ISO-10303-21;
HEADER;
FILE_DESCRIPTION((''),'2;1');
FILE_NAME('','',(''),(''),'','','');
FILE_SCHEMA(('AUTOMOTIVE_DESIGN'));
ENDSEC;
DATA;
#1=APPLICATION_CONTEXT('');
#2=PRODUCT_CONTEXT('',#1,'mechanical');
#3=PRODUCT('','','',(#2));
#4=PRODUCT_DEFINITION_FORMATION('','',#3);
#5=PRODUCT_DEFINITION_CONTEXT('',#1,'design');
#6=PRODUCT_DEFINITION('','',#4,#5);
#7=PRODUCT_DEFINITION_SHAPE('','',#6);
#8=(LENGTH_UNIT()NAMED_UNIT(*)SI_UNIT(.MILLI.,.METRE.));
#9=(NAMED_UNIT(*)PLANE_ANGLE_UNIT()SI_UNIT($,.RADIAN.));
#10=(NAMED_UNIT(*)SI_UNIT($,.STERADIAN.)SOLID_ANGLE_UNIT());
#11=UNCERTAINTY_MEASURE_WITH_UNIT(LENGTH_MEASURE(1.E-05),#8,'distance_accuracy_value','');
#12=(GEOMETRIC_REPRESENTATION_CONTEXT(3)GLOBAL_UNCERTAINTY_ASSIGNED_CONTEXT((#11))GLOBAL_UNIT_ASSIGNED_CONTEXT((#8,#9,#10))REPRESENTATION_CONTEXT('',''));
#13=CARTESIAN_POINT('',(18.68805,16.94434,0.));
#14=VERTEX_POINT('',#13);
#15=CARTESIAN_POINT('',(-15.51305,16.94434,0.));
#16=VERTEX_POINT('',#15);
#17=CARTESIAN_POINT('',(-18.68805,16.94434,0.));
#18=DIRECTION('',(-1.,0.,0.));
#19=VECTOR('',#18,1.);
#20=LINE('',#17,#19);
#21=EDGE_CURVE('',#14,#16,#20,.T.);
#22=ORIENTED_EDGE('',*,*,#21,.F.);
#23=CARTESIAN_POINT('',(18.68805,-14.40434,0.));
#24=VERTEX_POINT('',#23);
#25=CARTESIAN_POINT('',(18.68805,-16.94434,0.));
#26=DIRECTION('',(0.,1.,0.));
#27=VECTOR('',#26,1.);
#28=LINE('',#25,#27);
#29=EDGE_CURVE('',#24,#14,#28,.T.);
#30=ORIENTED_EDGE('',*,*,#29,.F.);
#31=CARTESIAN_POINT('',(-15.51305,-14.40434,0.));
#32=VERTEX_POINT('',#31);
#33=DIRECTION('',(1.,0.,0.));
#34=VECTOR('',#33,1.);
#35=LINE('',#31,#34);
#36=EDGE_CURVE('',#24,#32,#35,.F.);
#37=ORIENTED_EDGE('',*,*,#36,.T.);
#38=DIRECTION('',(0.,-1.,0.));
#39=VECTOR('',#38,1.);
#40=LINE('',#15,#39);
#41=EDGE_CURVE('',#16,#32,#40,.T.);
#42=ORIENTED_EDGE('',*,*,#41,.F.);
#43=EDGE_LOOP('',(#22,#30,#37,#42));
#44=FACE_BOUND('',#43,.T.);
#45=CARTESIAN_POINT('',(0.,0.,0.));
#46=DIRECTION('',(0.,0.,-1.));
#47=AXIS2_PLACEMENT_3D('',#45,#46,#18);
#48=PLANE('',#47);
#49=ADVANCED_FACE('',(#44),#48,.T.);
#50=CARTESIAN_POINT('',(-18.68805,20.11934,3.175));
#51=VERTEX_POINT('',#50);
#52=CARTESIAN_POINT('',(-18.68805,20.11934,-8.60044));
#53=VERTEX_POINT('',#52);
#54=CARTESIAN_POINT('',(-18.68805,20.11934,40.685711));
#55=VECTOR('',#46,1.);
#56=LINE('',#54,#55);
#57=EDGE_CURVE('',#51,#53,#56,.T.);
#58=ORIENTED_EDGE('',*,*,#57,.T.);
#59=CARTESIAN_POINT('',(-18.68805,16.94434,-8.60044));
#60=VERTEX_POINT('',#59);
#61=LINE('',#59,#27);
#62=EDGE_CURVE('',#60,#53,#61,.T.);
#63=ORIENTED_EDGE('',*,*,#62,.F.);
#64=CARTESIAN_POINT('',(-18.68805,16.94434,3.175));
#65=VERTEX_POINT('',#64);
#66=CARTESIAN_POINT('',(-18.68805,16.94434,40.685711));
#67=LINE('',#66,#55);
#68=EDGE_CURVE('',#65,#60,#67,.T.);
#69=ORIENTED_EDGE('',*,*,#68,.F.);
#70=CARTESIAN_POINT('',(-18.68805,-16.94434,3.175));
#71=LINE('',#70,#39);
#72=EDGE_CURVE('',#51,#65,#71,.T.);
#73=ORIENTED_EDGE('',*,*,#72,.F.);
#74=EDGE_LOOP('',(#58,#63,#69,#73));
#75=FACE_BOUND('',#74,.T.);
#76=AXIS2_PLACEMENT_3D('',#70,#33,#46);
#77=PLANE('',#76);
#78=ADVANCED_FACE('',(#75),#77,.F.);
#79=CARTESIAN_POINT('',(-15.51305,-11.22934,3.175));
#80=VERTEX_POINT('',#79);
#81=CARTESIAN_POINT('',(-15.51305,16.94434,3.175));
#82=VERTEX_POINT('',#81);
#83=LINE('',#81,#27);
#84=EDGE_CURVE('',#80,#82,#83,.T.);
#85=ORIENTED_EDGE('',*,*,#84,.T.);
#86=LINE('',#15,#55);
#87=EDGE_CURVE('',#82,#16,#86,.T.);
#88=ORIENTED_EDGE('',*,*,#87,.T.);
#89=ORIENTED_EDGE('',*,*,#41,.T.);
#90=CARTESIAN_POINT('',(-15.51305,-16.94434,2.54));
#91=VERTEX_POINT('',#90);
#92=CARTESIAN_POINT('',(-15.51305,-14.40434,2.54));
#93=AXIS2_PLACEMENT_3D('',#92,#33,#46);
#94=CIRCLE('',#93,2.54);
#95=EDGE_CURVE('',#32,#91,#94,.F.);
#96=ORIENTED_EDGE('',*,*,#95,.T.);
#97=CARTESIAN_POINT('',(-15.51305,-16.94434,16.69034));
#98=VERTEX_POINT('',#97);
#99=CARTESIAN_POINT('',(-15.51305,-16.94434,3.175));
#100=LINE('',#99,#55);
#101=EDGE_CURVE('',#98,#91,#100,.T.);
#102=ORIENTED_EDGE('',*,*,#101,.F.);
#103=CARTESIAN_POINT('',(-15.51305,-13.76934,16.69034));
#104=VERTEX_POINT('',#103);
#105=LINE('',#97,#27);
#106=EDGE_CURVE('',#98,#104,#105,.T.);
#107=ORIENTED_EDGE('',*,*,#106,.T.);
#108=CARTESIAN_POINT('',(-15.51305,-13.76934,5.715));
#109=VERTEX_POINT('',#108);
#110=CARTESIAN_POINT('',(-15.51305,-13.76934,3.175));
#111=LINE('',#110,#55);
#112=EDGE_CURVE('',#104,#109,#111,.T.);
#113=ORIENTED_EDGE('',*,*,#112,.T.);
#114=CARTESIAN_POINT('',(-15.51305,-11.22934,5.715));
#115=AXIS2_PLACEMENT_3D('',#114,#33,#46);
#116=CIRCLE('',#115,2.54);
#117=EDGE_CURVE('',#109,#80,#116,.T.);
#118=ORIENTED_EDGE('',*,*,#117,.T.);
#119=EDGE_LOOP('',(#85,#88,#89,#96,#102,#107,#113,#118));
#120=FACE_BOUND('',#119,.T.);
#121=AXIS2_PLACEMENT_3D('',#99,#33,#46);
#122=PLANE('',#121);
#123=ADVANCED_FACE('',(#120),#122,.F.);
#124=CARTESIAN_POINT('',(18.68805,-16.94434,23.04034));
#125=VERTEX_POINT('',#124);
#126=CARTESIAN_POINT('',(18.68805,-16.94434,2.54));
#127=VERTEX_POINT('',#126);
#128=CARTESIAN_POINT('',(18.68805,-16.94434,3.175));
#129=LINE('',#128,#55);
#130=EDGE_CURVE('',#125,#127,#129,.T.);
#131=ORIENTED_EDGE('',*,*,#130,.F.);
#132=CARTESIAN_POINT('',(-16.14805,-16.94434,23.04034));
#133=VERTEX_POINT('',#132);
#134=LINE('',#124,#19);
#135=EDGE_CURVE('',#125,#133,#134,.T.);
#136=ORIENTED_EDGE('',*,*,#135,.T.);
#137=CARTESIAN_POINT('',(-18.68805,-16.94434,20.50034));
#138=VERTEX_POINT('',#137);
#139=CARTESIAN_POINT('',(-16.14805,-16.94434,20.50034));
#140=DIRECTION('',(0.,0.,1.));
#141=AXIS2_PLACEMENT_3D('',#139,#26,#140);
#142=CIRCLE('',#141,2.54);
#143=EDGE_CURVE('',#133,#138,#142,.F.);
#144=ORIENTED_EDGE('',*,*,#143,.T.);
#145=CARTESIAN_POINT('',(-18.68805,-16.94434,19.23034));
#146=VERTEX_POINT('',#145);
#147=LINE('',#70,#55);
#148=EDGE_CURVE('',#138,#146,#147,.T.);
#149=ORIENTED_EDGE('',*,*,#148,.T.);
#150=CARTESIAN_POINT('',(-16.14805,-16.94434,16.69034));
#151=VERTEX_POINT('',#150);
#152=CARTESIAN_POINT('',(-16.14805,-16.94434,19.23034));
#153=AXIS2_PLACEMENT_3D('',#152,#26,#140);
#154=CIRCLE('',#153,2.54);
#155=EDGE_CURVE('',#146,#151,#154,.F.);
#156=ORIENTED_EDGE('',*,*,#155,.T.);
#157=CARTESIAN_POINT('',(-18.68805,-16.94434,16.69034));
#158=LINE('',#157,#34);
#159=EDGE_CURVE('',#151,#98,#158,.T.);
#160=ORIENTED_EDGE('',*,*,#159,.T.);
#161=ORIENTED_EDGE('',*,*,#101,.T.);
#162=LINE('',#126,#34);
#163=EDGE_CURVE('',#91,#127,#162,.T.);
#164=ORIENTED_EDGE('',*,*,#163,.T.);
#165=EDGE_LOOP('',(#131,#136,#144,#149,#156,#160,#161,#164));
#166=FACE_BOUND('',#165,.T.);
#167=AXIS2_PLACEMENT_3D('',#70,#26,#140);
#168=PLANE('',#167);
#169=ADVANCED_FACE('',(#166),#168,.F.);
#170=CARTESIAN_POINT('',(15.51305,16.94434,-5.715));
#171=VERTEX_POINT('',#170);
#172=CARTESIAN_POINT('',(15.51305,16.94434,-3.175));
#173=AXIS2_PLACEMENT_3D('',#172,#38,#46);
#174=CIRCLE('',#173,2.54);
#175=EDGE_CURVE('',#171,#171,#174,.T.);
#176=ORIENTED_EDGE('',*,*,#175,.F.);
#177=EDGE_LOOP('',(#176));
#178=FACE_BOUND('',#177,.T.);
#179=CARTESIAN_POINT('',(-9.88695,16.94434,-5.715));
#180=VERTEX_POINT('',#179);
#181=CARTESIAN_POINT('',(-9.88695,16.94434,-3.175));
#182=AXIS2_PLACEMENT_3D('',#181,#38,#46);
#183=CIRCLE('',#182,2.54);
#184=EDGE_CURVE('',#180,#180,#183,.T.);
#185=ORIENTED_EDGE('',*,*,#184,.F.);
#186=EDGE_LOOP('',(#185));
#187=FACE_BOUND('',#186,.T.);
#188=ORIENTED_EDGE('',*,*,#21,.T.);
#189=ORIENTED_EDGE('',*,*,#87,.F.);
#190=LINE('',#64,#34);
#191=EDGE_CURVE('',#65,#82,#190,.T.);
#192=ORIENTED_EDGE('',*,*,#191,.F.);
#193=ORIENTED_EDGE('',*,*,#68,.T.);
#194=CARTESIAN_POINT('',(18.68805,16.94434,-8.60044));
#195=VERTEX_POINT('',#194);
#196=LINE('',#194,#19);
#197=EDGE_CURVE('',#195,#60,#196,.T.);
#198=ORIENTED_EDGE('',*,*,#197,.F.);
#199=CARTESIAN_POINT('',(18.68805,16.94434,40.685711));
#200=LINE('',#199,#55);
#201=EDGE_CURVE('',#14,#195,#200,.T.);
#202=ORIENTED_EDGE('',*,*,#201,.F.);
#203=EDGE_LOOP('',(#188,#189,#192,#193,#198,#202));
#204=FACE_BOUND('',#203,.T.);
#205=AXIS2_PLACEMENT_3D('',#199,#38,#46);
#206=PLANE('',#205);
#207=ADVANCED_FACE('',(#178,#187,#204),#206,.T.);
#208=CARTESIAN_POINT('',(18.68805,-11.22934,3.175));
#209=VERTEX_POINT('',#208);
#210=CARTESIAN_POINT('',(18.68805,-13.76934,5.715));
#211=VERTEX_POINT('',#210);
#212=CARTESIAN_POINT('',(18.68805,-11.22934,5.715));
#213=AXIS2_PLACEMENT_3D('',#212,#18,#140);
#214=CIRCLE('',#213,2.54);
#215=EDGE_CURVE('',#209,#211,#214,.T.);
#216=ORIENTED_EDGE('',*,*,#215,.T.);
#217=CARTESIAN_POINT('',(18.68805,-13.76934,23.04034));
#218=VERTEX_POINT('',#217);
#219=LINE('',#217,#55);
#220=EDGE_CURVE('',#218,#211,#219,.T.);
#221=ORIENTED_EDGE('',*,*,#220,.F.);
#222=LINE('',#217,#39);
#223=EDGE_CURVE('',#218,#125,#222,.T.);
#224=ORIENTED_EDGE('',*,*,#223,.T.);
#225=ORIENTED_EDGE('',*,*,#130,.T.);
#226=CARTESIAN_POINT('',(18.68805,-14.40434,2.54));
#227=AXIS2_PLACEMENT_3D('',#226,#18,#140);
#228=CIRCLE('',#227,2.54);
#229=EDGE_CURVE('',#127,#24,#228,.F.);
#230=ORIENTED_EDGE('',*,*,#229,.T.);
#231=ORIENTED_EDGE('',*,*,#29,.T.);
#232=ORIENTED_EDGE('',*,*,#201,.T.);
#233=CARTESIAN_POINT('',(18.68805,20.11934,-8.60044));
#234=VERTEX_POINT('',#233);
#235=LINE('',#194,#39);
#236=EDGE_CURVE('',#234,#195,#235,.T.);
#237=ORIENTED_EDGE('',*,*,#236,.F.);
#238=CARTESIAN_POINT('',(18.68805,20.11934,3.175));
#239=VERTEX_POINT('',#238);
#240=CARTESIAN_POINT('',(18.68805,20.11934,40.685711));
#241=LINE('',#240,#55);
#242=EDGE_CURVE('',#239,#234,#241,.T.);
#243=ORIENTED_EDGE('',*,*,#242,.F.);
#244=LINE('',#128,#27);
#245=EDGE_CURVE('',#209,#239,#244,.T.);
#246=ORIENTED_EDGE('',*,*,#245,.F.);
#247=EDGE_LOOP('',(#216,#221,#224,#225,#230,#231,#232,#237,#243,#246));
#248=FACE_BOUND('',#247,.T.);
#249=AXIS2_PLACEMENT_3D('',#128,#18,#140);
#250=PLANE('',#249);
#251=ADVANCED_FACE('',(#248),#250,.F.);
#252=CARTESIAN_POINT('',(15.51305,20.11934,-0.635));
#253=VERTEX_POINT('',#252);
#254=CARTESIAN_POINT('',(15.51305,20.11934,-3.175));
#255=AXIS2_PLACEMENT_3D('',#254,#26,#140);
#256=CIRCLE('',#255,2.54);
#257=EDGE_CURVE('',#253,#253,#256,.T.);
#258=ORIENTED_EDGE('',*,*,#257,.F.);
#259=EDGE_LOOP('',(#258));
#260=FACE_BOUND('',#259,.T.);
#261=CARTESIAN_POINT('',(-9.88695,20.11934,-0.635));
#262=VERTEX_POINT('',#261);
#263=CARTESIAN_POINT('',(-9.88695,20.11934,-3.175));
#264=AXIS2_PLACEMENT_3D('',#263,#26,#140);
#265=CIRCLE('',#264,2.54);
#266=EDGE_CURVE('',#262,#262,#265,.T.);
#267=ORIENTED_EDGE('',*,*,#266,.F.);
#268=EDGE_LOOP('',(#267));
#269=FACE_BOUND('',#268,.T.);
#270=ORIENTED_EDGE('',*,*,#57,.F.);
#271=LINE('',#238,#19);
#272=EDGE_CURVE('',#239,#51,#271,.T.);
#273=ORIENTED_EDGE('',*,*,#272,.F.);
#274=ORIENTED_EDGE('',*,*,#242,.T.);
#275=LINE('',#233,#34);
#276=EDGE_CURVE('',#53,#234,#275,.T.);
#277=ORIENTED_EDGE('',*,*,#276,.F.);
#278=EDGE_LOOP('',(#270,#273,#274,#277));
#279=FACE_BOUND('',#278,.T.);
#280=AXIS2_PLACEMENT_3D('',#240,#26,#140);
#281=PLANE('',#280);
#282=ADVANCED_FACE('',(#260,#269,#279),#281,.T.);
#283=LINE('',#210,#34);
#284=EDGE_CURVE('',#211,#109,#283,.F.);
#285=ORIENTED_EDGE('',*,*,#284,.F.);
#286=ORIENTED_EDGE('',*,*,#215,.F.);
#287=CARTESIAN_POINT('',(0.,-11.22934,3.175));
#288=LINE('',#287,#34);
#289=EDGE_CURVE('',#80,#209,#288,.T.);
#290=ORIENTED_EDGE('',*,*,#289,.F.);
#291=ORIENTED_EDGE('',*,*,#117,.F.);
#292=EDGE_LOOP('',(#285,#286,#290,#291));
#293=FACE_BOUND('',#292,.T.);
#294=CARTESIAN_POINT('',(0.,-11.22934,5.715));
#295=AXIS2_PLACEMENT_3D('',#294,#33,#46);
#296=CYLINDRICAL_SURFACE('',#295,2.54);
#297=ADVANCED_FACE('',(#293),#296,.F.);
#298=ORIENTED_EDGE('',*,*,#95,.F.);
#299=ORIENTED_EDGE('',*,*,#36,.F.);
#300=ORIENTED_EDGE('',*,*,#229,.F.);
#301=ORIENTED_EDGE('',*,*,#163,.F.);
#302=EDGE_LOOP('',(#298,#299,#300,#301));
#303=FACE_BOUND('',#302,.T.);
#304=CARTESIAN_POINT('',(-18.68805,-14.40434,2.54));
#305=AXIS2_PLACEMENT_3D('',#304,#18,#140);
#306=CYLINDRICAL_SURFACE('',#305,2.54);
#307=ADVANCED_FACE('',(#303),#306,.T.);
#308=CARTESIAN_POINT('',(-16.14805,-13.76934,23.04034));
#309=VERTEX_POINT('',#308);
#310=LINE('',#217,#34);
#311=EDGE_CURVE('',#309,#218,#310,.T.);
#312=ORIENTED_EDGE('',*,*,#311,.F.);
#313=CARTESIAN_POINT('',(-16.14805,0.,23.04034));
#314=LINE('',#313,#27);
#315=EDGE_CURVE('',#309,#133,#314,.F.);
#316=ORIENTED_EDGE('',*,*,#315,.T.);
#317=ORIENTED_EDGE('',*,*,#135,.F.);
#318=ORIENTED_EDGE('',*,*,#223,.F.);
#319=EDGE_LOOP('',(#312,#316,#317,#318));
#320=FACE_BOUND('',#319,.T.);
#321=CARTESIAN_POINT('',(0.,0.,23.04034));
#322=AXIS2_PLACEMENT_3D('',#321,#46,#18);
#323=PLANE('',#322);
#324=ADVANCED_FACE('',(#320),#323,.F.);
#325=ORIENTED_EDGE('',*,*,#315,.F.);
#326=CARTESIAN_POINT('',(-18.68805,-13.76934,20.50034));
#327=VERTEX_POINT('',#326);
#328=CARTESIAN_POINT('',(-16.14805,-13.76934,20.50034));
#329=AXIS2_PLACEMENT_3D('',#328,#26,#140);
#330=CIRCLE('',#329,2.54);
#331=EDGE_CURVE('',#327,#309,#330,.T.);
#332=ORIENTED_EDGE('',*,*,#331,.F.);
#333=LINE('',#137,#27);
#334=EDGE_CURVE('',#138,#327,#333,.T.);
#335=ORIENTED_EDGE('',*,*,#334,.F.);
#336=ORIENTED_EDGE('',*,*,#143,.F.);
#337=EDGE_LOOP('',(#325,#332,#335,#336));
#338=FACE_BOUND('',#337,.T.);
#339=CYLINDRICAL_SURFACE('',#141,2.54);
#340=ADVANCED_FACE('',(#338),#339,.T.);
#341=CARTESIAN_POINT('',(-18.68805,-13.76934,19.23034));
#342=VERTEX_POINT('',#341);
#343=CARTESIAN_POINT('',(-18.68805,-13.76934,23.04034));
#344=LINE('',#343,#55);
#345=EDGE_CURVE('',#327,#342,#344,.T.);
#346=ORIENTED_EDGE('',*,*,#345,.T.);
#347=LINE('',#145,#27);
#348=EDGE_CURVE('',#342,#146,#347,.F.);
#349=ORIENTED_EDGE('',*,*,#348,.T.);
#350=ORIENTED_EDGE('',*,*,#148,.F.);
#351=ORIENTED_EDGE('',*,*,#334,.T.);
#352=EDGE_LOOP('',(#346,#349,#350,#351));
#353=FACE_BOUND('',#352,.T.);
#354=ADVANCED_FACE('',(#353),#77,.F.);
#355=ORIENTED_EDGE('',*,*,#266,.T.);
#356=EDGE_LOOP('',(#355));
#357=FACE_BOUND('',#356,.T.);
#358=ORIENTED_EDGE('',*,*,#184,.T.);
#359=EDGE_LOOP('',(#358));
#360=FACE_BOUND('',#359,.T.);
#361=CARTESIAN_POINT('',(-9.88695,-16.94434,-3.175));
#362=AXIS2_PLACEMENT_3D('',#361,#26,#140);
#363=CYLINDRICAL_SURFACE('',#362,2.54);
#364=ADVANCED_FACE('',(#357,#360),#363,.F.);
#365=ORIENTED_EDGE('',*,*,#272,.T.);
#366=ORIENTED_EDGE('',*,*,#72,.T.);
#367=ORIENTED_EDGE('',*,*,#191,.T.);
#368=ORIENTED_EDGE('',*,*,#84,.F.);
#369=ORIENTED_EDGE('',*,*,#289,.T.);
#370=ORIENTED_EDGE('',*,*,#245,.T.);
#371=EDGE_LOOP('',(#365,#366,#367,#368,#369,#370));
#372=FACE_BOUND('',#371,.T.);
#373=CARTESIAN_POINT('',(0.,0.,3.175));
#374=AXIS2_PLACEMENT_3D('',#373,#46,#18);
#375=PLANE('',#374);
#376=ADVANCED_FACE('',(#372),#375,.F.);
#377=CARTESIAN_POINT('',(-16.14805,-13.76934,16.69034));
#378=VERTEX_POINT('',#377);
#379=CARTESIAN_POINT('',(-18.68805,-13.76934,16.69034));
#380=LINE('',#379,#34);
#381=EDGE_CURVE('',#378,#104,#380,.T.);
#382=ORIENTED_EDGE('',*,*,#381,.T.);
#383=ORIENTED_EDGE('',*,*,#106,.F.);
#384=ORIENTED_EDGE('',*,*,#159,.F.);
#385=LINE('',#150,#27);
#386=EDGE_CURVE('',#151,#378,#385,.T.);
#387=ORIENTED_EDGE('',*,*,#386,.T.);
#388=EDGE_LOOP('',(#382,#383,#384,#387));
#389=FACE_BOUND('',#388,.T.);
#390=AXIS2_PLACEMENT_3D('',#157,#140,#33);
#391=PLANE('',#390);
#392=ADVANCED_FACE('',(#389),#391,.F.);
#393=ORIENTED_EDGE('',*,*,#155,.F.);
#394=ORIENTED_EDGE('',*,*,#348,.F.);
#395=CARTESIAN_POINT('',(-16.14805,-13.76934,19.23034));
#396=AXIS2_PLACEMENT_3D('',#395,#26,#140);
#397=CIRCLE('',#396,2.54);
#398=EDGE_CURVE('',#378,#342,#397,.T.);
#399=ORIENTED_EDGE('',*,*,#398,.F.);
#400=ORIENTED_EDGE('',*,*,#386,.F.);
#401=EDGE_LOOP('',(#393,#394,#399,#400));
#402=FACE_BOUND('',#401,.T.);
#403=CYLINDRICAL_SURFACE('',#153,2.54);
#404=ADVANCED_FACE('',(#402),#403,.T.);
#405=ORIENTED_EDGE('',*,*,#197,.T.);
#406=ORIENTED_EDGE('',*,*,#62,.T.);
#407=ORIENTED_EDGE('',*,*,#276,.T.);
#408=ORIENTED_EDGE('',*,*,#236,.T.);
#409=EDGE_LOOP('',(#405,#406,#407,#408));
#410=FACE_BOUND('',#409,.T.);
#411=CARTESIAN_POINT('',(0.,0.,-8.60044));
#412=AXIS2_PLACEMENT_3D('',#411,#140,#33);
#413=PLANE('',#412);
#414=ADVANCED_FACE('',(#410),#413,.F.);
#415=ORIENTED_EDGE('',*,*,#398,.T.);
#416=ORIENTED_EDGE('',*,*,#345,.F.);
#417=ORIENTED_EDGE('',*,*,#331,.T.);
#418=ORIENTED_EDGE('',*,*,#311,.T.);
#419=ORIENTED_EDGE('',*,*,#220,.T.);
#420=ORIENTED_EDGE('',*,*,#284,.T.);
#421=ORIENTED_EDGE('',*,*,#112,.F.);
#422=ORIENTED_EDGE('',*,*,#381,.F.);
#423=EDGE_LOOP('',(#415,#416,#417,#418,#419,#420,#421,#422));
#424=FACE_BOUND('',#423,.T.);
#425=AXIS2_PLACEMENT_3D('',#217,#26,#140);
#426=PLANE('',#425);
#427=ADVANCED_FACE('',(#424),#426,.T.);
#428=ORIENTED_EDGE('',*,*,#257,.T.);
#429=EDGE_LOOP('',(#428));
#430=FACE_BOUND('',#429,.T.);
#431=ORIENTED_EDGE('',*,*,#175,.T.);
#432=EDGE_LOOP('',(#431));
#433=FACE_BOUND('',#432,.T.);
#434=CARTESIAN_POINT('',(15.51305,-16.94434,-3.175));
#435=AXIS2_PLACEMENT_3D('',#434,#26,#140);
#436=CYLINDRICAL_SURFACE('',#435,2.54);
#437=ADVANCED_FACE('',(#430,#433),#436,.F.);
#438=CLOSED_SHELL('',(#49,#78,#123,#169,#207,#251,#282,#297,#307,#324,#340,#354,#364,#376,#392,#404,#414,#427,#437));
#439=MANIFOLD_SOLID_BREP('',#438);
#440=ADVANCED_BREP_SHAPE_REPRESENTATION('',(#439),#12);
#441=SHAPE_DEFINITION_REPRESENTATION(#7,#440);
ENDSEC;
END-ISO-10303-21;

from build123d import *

# Parameters (mm, degrees)
SKETCH1_W           = 37.3761
SKETCH1_H           = 33.88868
BOSS_EXTRUDE1_DEPTH = 3.175
SKETCH2_W           = 37.3761
SKETCH2_H           = 3.175
BOSS_EXTRUDE2_DEPTH = 23.04034
BOSS_EXTRUDE3_START = -3.175
SKETCH3_W           = 37.3761
SKETCH3_H           = 3.175
BOSS_EXTRUDE3_DEPTH = 11.77544
SKETCH4_R           = 2.54
CUT_EXTRUDE1_DEPTH  = 48.474381041
SKETCH5_W           = 3.175
SKETCH5_H           = 13.51534
CUT_EXTRUDE2_DEPTH  = 46.039350709
SKETCH6_W           = 3.175
SKETCH6_H           = 33.88868
CUT_EXTRUDE3_DEPTH  = 46.884205894
FILLET1_R           = 2.54
FILLET2_R           = 2.54


with BuildPart() as part:
    # Sketch1 → Boss-Extrude1 (new body)
    with BuildSketch(Plane.XY):
        Rectangle(SKETCH1_W, SKETCH1_H)
    extrude(amount=BOSS_EXTRUDE1_DEPTH)

    # Sketch2 → Boss-Extrude2 (add)
    with BuildSketch(Plane(origin=(0, 0, 0), x_dir=(-1, 0, 0), z_dir=(0, 0, -1))):
        with Locations((0, -15.35684)):
            Rectangle(SKETCH2_W, SKETCH2_H)
    extrude(amount=-BOSS_EXTRUDE2_DEPTH)

    # Sketch3 → Boss-Extrude3 (add)
    with BuildSketch(Plane(origin=(0, 0, 0), x_dir=(-1, 0, 0), z_dir=(0, 0, -1)).offset(BOSS_EXTRUDE3_START)):
        with Locations((0, 18.53184)):
            Rectangle(SKETCH3_W, SKETCH3_H)
    extrude(amount=BOSS_EXTRUDE3_DEPTH)

    # Sketch4 → Cut-Extrude1 (cut, through all)
    with BuildSketch(Plane(origin=(0, 20.11934, 0), x_dir=(1, 0, 0), z_dir=(0, 1, 0))):
        with Locations(Location((-9.88695, 3.175, 0), (0, 0, 270))):
            Circle(SKETCH4_R)
        with Locations(Location((15.51305, 3.175, 0), (0, 0, 270))):
            Circle(SKETCH4_R)
    extrude(amount=-CUT_EXTRUDE1_DEPTH, mode=Mode.SUBTRACT)

    # Sketch5 → Cut-Extrude2 (cut, through all)
    with BuildSketch(Plane(origin=(0, -13.76934, 0), x_dir=(1, 0, 0), z_dir=(0, 1, 0))):
        with Locations((-17.10055, -9.93267)):
            Rectangle(SKETCH5_W, SKETCH5_H)
    extrude(amount=-CUT_EXTRUDE2_DEPTH, mode=Mode.SUBTRACT)

    # Sketch6 → Cut-Extrude3 (cut, through all)
    with BuildSketch(Plane.ZY.offset(15.51305)):
        with Locations((1.5875, 0)):
            Rectangle(SKETCH6_W, SKETCH6_H)
    extrude(amount=CUT_EXTRUDE3_DEPTH, mode=Mode.SUBTRACT)

    # Fillet1
    fillet1_edges = [part.edges().sort_by_distance(p)[0] for p in [
        (-18.68805, -15.35684, 23.04034),
        (1.5875, -13.76934, 3.175),
        (-18.68805, -15.35684, 16.69034),
    ]]
    fillet(fillet1_edges, radius=FILLET1_R)

    # Fillet2
    fillet2_edges = [part.edges().sort_by_distance(p)[0] for p in [
        (1.5875, -16.94434, 0),
    ]]
    fillet(fillet2_edges, radius=FILLET2_R)


solid = part.part
